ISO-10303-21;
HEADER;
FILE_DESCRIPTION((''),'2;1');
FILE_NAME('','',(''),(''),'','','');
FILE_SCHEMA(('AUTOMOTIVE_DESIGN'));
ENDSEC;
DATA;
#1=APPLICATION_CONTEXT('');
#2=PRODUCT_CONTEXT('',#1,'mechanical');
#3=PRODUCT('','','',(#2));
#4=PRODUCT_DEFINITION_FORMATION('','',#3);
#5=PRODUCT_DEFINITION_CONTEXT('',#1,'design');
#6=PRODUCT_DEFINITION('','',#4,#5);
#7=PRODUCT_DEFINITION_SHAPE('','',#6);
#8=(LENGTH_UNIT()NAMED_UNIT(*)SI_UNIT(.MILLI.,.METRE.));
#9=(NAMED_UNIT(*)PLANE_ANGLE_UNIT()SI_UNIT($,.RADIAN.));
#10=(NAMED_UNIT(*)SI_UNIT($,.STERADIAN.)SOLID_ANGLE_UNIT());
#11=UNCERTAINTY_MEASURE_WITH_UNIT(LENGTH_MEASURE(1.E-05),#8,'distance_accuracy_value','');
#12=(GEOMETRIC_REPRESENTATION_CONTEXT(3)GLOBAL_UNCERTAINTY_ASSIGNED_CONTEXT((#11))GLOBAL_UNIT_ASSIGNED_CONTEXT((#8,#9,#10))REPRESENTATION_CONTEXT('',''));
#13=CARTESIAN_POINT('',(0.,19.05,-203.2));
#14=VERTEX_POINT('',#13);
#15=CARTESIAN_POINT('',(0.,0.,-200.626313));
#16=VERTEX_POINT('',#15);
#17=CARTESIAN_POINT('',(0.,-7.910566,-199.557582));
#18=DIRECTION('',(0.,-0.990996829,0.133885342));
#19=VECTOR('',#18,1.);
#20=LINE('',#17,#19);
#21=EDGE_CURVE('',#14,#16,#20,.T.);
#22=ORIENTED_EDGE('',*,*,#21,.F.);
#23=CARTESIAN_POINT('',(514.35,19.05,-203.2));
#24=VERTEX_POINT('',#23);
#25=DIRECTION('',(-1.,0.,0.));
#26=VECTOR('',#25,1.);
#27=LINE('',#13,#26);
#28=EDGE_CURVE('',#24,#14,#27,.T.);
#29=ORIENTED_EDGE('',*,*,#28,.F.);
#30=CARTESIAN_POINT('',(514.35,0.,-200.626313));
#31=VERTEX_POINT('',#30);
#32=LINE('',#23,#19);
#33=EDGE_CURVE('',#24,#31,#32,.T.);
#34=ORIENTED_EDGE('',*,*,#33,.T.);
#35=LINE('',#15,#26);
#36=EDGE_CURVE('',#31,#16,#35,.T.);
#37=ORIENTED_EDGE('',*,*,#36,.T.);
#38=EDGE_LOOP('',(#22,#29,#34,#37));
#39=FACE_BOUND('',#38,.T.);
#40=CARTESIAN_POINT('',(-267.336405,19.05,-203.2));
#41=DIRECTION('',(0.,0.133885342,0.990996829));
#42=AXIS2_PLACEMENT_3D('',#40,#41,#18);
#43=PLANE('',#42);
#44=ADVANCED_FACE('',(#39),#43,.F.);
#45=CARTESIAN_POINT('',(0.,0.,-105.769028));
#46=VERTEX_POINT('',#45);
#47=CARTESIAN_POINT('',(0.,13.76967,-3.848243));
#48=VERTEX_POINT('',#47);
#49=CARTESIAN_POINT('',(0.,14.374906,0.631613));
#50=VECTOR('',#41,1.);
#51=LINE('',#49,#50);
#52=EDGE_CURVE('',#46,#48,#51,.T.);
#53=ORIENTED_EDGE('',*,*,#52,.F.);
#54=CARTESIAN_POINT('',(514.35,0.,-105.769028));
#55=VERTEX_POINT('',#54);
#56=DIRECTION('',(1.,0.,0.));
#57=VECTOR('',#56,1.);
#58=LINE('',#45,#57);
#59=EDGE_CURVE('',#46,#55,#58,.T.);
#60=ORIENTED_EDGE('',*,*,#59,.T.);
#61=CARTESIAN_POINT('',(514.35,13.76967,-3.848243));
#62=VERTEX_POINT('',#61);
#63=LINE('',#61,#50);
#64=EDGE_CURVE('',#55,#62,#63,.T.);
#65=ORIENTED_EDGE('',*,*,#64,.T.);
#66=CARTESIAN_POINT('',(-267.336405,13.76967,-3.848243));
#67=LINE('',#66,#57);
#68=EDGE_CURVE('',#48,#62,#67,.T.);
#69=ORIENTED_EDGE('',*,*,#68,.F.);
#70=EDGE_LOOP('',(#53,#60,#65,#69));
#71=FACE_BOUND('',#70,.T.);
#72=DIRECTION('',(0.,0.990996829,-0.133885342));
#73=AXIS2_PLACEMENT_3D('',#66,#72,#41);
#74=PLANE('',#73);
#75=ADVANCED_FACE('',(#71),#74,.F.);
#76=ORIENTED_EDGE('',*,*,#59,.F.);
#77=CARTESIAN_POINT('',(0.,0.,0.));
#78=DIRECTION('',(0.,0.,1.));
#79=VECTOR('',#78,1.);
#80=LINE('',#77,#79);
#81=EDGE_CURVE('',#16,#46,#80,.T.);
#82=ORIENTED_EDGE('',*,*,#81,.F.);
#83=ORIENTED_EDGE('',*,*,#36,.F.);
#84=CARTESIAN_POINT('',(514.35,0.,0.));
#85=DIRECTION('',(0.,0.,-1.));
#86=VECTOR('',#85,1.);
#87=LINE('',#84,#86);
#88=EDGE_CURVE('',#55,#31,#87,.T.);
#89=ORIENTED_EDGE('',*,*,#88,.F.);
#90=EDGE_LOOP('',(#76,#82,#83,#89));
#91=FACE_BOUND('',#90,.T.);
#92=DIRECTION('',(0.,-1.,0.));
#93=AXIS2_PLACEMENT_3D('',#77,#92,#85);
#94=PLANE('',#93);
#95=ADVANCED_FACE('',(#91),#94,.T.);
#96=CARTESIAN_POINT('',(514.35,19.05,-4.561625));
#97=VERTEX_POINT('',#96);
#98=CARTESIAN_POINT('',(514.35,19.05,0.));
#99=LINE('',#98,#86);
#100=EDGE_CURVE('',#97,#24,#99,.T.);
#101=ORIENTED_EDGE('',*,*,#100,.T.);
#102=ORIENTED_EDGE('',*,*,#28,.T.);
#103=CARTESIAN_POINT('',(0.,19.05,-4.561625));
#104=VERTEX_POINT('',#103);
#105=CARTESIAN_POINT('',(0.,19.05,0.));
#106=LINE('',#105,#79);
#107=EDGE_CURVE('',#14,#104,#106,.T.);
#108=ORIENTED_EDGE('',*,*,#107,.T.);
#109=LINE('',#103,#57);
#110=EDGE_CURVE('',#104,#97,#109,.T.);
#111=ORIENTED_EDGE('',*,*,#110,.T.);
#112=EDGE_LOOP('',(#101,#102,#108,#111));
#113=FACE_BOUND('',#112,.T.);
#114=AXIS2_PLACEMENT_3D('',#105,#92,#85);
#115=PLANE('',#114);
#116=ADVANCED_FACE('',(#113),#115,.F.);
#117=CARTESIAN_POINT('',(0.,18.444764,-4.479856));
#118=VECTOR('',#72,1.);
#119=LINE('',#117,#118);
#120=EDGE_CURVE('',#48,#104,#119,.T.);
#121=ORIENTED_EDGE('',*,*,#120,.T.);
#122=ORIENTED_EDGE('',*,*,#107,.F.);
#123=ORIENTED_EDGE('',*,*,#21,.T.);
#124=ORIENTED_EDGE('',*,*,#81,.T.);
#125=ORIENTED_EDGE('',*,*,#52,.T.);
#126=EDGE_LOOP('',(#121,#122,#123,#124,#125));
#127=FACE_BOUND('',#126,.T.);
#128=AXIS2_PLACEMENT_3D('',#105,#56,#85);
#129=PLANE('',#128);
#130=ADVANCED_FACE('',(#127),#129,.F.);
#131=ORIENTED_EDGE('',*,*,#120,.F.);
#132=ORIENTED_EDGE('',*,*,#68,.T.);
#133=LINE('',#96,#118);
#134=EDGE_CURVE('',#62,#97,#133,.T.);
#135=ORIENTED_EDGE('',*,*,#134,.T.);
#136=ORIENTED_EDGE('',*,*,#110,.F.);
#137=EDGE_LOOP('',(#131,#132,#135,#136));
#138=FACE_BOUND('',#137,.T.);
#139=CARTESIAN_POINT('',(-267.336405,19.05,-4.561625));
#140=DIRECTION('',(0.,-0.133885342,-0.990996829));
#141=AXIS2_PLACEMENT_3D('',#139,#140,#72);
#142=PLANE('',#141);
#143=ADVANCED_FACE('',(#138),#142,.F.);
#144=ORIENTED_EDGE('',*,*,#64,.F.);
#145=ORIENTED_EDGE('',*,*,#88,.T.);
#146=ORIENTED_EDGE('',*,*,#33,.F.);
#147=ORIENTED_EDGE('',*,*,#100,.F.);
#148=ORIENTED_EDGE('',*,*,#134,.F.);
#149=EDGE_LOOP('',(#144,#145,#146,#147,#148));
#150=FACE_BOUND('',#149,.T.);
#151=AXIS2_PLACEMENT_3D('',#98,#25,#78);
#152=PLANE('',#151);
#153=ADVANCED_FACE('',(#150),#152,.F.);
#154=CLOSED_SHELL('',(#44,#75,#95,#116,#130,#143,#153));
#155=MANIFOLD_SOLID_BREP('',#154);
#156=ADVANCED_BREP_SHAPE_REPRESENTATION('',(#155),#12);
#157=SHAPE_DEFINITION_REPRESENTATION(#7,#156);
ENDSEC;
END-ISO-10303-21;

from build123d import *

# Parameters (mm, degrees)
SKETCH1_W           = 514.35
SKETCH1_H           = 203.2
BOSS_EXTRUDE1_DEPTH = 19.05
CUT_EXTRUDE3_DEPTH  = 781.686405159


with BuildPart() as part:
    # Sketch1 → Boss-Extrude1 (new body)
    with BuildSketch(Plane(origin=(0, 0, 0), x_dir=(1, 0, 0), z_dir=(0, 1, 0))):
        with Locations((257.175, 101.6)):
            Rectangle(SKETCH1_W, SKETCH1_H)
    extrude(amount=BOSS_EXTRUDE1_DEPTH)

    # Sketch5 → Cut-Extrude3 (cut)
    with BuildSketch(Plane(origin=(514.35, 0, 0), x_dir=(0, 0, -1), z_dir=(1, 0, 0))):
        Polygon((0, 19.05), (4.561624762, 19.05), (3.848243249, 13.769669769), (105.769027955, 0), (0, 0), align=None)
        Polygon((203.2, 19.05), (200.626312897, 0), (203.2, 0), align=None)
    extrude(amount=-CUT_EXTRUDE3_DEPTH, mode=Mode.SUBTRACT)


solid = part.part
